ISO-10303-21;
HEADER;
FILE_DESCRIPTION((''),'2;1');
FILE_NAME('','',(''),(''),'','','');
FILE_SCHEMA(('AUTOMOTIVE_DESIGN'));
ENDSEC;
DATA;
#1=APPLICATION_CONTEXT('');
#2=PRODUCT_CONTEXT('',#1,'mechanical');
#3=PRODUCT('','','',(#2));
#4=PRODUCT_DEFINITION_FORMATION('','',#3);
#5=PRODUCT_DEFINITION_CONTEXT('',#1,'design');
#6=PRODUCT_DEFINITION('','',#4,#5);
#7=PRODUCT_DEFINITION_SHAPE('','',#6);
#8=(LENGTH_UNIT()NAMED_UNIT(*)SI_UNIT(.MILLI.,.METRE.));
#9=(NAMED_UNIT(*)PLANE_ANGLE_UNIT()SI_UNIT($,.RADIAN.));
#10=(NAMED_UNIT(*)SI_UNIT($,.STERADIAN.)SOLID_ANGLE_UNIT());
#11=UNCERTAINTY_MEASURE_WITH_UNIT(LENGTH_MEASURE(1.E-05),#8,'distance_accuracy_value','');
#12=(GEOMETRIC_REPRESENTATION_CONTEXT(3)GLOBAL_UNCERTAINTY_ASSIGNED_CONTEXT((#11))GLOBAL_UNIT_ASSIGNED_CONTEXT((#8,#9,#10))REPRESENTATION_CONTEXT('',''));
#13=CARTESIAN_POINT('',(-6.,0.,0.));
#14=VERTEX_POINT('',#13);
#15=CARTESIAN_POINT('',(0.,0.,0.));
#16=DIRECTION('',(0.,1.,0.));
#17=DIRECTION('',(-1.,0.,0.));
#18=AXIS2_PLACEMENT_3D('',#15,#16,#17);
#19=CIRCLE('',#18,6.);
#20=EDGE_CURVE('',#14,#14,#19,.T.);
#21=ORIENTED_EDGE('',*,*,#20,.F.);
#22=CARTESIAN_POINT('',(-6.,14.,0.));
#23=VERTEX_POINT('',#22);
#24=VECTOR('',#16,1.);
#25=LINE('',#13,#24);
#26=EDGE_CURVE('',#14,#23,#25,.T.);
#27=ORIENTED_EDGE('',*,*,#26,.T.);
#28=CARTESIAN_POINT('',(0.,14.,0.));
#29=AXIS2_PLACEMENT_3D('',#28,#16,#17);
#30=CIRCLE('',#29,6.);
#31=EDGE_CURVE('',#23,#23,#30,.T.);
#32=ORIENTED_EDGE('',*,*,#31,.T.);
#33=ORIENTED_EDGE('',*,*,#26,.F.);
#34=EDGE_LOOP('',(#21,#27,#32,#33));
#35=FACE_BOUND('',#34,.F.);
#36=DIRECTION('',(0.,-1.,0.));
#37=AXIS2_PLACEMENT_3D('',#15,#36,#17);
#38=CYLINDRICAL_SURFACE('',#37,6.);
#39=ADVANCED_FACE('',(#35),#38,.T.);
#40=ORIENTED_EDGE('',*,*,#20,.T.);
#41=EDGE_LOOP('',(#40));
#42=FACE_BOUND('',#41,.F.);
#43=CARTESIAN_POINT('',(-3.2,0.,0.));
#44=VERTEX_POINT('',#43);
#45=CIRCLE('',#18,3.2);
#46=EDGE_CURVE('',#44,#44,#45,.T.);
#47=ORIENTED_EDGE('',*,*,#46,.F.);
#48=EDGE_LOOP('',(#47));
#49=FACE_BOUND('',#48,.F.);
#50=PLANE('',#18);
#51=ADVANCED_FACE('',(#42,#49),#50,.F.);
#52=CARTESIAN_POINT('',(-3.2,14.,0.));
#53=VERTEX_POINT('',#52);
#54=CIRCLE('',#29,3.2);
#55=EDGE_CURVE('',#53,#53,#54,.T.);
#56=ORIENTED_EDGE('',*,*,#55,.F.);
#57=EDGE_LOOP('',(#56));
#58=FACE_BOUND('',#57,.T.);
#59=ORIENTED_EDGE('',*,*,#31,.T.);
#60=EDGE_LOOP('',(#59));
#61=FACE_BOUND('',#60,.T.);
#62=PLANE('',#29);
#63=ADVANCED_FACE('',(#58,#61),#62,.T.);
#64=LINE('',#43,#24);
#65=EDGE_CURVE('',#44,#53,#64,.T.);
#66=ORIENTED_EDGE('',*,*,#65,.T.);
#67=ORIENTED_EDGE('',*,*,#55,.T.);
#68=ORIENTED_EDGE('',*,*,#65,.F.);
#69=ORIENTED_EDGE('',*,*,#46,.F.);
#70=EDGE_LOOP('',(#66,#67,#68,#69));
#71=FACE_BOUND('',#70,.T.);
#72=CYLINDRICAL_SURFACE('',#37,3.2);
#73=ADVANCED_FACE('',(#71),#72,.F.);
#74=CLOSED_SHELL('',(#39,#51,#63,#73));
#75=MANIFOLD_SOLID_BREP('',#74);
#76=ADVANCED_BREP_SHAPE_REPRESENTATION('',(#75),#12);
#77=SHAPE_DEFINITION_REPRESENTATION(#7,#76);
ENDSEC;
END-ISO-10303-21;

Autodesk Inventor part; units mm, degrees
ref_plane "YZ Plane" through (0, 0, 0) normal (1, 0, 0) x (0, 1, 0)
ref_plane "XZ Plane" through (0, 0, 0) normal (0, 1, 0) x (-1, 0, 0)
ref_plane "XY Plane" through (0, 0, 0) normal (0, 0, 1) x (1, 0, 0)
sketch "スケッチ1" plane through (0, 0, 0) normal (0, 1, 0) x (-1, 0, 0)
  circle A0 centre (0, 0) radius 3.2
  circle A1 centre (0, 0) radius 6
  dimension "d0" = 6.4
  dimension "d1" = 12
extrude "押し出し1" add sketch "スケッチ1" along normal blind 14
properties part number "strain_sensor_spacer"
